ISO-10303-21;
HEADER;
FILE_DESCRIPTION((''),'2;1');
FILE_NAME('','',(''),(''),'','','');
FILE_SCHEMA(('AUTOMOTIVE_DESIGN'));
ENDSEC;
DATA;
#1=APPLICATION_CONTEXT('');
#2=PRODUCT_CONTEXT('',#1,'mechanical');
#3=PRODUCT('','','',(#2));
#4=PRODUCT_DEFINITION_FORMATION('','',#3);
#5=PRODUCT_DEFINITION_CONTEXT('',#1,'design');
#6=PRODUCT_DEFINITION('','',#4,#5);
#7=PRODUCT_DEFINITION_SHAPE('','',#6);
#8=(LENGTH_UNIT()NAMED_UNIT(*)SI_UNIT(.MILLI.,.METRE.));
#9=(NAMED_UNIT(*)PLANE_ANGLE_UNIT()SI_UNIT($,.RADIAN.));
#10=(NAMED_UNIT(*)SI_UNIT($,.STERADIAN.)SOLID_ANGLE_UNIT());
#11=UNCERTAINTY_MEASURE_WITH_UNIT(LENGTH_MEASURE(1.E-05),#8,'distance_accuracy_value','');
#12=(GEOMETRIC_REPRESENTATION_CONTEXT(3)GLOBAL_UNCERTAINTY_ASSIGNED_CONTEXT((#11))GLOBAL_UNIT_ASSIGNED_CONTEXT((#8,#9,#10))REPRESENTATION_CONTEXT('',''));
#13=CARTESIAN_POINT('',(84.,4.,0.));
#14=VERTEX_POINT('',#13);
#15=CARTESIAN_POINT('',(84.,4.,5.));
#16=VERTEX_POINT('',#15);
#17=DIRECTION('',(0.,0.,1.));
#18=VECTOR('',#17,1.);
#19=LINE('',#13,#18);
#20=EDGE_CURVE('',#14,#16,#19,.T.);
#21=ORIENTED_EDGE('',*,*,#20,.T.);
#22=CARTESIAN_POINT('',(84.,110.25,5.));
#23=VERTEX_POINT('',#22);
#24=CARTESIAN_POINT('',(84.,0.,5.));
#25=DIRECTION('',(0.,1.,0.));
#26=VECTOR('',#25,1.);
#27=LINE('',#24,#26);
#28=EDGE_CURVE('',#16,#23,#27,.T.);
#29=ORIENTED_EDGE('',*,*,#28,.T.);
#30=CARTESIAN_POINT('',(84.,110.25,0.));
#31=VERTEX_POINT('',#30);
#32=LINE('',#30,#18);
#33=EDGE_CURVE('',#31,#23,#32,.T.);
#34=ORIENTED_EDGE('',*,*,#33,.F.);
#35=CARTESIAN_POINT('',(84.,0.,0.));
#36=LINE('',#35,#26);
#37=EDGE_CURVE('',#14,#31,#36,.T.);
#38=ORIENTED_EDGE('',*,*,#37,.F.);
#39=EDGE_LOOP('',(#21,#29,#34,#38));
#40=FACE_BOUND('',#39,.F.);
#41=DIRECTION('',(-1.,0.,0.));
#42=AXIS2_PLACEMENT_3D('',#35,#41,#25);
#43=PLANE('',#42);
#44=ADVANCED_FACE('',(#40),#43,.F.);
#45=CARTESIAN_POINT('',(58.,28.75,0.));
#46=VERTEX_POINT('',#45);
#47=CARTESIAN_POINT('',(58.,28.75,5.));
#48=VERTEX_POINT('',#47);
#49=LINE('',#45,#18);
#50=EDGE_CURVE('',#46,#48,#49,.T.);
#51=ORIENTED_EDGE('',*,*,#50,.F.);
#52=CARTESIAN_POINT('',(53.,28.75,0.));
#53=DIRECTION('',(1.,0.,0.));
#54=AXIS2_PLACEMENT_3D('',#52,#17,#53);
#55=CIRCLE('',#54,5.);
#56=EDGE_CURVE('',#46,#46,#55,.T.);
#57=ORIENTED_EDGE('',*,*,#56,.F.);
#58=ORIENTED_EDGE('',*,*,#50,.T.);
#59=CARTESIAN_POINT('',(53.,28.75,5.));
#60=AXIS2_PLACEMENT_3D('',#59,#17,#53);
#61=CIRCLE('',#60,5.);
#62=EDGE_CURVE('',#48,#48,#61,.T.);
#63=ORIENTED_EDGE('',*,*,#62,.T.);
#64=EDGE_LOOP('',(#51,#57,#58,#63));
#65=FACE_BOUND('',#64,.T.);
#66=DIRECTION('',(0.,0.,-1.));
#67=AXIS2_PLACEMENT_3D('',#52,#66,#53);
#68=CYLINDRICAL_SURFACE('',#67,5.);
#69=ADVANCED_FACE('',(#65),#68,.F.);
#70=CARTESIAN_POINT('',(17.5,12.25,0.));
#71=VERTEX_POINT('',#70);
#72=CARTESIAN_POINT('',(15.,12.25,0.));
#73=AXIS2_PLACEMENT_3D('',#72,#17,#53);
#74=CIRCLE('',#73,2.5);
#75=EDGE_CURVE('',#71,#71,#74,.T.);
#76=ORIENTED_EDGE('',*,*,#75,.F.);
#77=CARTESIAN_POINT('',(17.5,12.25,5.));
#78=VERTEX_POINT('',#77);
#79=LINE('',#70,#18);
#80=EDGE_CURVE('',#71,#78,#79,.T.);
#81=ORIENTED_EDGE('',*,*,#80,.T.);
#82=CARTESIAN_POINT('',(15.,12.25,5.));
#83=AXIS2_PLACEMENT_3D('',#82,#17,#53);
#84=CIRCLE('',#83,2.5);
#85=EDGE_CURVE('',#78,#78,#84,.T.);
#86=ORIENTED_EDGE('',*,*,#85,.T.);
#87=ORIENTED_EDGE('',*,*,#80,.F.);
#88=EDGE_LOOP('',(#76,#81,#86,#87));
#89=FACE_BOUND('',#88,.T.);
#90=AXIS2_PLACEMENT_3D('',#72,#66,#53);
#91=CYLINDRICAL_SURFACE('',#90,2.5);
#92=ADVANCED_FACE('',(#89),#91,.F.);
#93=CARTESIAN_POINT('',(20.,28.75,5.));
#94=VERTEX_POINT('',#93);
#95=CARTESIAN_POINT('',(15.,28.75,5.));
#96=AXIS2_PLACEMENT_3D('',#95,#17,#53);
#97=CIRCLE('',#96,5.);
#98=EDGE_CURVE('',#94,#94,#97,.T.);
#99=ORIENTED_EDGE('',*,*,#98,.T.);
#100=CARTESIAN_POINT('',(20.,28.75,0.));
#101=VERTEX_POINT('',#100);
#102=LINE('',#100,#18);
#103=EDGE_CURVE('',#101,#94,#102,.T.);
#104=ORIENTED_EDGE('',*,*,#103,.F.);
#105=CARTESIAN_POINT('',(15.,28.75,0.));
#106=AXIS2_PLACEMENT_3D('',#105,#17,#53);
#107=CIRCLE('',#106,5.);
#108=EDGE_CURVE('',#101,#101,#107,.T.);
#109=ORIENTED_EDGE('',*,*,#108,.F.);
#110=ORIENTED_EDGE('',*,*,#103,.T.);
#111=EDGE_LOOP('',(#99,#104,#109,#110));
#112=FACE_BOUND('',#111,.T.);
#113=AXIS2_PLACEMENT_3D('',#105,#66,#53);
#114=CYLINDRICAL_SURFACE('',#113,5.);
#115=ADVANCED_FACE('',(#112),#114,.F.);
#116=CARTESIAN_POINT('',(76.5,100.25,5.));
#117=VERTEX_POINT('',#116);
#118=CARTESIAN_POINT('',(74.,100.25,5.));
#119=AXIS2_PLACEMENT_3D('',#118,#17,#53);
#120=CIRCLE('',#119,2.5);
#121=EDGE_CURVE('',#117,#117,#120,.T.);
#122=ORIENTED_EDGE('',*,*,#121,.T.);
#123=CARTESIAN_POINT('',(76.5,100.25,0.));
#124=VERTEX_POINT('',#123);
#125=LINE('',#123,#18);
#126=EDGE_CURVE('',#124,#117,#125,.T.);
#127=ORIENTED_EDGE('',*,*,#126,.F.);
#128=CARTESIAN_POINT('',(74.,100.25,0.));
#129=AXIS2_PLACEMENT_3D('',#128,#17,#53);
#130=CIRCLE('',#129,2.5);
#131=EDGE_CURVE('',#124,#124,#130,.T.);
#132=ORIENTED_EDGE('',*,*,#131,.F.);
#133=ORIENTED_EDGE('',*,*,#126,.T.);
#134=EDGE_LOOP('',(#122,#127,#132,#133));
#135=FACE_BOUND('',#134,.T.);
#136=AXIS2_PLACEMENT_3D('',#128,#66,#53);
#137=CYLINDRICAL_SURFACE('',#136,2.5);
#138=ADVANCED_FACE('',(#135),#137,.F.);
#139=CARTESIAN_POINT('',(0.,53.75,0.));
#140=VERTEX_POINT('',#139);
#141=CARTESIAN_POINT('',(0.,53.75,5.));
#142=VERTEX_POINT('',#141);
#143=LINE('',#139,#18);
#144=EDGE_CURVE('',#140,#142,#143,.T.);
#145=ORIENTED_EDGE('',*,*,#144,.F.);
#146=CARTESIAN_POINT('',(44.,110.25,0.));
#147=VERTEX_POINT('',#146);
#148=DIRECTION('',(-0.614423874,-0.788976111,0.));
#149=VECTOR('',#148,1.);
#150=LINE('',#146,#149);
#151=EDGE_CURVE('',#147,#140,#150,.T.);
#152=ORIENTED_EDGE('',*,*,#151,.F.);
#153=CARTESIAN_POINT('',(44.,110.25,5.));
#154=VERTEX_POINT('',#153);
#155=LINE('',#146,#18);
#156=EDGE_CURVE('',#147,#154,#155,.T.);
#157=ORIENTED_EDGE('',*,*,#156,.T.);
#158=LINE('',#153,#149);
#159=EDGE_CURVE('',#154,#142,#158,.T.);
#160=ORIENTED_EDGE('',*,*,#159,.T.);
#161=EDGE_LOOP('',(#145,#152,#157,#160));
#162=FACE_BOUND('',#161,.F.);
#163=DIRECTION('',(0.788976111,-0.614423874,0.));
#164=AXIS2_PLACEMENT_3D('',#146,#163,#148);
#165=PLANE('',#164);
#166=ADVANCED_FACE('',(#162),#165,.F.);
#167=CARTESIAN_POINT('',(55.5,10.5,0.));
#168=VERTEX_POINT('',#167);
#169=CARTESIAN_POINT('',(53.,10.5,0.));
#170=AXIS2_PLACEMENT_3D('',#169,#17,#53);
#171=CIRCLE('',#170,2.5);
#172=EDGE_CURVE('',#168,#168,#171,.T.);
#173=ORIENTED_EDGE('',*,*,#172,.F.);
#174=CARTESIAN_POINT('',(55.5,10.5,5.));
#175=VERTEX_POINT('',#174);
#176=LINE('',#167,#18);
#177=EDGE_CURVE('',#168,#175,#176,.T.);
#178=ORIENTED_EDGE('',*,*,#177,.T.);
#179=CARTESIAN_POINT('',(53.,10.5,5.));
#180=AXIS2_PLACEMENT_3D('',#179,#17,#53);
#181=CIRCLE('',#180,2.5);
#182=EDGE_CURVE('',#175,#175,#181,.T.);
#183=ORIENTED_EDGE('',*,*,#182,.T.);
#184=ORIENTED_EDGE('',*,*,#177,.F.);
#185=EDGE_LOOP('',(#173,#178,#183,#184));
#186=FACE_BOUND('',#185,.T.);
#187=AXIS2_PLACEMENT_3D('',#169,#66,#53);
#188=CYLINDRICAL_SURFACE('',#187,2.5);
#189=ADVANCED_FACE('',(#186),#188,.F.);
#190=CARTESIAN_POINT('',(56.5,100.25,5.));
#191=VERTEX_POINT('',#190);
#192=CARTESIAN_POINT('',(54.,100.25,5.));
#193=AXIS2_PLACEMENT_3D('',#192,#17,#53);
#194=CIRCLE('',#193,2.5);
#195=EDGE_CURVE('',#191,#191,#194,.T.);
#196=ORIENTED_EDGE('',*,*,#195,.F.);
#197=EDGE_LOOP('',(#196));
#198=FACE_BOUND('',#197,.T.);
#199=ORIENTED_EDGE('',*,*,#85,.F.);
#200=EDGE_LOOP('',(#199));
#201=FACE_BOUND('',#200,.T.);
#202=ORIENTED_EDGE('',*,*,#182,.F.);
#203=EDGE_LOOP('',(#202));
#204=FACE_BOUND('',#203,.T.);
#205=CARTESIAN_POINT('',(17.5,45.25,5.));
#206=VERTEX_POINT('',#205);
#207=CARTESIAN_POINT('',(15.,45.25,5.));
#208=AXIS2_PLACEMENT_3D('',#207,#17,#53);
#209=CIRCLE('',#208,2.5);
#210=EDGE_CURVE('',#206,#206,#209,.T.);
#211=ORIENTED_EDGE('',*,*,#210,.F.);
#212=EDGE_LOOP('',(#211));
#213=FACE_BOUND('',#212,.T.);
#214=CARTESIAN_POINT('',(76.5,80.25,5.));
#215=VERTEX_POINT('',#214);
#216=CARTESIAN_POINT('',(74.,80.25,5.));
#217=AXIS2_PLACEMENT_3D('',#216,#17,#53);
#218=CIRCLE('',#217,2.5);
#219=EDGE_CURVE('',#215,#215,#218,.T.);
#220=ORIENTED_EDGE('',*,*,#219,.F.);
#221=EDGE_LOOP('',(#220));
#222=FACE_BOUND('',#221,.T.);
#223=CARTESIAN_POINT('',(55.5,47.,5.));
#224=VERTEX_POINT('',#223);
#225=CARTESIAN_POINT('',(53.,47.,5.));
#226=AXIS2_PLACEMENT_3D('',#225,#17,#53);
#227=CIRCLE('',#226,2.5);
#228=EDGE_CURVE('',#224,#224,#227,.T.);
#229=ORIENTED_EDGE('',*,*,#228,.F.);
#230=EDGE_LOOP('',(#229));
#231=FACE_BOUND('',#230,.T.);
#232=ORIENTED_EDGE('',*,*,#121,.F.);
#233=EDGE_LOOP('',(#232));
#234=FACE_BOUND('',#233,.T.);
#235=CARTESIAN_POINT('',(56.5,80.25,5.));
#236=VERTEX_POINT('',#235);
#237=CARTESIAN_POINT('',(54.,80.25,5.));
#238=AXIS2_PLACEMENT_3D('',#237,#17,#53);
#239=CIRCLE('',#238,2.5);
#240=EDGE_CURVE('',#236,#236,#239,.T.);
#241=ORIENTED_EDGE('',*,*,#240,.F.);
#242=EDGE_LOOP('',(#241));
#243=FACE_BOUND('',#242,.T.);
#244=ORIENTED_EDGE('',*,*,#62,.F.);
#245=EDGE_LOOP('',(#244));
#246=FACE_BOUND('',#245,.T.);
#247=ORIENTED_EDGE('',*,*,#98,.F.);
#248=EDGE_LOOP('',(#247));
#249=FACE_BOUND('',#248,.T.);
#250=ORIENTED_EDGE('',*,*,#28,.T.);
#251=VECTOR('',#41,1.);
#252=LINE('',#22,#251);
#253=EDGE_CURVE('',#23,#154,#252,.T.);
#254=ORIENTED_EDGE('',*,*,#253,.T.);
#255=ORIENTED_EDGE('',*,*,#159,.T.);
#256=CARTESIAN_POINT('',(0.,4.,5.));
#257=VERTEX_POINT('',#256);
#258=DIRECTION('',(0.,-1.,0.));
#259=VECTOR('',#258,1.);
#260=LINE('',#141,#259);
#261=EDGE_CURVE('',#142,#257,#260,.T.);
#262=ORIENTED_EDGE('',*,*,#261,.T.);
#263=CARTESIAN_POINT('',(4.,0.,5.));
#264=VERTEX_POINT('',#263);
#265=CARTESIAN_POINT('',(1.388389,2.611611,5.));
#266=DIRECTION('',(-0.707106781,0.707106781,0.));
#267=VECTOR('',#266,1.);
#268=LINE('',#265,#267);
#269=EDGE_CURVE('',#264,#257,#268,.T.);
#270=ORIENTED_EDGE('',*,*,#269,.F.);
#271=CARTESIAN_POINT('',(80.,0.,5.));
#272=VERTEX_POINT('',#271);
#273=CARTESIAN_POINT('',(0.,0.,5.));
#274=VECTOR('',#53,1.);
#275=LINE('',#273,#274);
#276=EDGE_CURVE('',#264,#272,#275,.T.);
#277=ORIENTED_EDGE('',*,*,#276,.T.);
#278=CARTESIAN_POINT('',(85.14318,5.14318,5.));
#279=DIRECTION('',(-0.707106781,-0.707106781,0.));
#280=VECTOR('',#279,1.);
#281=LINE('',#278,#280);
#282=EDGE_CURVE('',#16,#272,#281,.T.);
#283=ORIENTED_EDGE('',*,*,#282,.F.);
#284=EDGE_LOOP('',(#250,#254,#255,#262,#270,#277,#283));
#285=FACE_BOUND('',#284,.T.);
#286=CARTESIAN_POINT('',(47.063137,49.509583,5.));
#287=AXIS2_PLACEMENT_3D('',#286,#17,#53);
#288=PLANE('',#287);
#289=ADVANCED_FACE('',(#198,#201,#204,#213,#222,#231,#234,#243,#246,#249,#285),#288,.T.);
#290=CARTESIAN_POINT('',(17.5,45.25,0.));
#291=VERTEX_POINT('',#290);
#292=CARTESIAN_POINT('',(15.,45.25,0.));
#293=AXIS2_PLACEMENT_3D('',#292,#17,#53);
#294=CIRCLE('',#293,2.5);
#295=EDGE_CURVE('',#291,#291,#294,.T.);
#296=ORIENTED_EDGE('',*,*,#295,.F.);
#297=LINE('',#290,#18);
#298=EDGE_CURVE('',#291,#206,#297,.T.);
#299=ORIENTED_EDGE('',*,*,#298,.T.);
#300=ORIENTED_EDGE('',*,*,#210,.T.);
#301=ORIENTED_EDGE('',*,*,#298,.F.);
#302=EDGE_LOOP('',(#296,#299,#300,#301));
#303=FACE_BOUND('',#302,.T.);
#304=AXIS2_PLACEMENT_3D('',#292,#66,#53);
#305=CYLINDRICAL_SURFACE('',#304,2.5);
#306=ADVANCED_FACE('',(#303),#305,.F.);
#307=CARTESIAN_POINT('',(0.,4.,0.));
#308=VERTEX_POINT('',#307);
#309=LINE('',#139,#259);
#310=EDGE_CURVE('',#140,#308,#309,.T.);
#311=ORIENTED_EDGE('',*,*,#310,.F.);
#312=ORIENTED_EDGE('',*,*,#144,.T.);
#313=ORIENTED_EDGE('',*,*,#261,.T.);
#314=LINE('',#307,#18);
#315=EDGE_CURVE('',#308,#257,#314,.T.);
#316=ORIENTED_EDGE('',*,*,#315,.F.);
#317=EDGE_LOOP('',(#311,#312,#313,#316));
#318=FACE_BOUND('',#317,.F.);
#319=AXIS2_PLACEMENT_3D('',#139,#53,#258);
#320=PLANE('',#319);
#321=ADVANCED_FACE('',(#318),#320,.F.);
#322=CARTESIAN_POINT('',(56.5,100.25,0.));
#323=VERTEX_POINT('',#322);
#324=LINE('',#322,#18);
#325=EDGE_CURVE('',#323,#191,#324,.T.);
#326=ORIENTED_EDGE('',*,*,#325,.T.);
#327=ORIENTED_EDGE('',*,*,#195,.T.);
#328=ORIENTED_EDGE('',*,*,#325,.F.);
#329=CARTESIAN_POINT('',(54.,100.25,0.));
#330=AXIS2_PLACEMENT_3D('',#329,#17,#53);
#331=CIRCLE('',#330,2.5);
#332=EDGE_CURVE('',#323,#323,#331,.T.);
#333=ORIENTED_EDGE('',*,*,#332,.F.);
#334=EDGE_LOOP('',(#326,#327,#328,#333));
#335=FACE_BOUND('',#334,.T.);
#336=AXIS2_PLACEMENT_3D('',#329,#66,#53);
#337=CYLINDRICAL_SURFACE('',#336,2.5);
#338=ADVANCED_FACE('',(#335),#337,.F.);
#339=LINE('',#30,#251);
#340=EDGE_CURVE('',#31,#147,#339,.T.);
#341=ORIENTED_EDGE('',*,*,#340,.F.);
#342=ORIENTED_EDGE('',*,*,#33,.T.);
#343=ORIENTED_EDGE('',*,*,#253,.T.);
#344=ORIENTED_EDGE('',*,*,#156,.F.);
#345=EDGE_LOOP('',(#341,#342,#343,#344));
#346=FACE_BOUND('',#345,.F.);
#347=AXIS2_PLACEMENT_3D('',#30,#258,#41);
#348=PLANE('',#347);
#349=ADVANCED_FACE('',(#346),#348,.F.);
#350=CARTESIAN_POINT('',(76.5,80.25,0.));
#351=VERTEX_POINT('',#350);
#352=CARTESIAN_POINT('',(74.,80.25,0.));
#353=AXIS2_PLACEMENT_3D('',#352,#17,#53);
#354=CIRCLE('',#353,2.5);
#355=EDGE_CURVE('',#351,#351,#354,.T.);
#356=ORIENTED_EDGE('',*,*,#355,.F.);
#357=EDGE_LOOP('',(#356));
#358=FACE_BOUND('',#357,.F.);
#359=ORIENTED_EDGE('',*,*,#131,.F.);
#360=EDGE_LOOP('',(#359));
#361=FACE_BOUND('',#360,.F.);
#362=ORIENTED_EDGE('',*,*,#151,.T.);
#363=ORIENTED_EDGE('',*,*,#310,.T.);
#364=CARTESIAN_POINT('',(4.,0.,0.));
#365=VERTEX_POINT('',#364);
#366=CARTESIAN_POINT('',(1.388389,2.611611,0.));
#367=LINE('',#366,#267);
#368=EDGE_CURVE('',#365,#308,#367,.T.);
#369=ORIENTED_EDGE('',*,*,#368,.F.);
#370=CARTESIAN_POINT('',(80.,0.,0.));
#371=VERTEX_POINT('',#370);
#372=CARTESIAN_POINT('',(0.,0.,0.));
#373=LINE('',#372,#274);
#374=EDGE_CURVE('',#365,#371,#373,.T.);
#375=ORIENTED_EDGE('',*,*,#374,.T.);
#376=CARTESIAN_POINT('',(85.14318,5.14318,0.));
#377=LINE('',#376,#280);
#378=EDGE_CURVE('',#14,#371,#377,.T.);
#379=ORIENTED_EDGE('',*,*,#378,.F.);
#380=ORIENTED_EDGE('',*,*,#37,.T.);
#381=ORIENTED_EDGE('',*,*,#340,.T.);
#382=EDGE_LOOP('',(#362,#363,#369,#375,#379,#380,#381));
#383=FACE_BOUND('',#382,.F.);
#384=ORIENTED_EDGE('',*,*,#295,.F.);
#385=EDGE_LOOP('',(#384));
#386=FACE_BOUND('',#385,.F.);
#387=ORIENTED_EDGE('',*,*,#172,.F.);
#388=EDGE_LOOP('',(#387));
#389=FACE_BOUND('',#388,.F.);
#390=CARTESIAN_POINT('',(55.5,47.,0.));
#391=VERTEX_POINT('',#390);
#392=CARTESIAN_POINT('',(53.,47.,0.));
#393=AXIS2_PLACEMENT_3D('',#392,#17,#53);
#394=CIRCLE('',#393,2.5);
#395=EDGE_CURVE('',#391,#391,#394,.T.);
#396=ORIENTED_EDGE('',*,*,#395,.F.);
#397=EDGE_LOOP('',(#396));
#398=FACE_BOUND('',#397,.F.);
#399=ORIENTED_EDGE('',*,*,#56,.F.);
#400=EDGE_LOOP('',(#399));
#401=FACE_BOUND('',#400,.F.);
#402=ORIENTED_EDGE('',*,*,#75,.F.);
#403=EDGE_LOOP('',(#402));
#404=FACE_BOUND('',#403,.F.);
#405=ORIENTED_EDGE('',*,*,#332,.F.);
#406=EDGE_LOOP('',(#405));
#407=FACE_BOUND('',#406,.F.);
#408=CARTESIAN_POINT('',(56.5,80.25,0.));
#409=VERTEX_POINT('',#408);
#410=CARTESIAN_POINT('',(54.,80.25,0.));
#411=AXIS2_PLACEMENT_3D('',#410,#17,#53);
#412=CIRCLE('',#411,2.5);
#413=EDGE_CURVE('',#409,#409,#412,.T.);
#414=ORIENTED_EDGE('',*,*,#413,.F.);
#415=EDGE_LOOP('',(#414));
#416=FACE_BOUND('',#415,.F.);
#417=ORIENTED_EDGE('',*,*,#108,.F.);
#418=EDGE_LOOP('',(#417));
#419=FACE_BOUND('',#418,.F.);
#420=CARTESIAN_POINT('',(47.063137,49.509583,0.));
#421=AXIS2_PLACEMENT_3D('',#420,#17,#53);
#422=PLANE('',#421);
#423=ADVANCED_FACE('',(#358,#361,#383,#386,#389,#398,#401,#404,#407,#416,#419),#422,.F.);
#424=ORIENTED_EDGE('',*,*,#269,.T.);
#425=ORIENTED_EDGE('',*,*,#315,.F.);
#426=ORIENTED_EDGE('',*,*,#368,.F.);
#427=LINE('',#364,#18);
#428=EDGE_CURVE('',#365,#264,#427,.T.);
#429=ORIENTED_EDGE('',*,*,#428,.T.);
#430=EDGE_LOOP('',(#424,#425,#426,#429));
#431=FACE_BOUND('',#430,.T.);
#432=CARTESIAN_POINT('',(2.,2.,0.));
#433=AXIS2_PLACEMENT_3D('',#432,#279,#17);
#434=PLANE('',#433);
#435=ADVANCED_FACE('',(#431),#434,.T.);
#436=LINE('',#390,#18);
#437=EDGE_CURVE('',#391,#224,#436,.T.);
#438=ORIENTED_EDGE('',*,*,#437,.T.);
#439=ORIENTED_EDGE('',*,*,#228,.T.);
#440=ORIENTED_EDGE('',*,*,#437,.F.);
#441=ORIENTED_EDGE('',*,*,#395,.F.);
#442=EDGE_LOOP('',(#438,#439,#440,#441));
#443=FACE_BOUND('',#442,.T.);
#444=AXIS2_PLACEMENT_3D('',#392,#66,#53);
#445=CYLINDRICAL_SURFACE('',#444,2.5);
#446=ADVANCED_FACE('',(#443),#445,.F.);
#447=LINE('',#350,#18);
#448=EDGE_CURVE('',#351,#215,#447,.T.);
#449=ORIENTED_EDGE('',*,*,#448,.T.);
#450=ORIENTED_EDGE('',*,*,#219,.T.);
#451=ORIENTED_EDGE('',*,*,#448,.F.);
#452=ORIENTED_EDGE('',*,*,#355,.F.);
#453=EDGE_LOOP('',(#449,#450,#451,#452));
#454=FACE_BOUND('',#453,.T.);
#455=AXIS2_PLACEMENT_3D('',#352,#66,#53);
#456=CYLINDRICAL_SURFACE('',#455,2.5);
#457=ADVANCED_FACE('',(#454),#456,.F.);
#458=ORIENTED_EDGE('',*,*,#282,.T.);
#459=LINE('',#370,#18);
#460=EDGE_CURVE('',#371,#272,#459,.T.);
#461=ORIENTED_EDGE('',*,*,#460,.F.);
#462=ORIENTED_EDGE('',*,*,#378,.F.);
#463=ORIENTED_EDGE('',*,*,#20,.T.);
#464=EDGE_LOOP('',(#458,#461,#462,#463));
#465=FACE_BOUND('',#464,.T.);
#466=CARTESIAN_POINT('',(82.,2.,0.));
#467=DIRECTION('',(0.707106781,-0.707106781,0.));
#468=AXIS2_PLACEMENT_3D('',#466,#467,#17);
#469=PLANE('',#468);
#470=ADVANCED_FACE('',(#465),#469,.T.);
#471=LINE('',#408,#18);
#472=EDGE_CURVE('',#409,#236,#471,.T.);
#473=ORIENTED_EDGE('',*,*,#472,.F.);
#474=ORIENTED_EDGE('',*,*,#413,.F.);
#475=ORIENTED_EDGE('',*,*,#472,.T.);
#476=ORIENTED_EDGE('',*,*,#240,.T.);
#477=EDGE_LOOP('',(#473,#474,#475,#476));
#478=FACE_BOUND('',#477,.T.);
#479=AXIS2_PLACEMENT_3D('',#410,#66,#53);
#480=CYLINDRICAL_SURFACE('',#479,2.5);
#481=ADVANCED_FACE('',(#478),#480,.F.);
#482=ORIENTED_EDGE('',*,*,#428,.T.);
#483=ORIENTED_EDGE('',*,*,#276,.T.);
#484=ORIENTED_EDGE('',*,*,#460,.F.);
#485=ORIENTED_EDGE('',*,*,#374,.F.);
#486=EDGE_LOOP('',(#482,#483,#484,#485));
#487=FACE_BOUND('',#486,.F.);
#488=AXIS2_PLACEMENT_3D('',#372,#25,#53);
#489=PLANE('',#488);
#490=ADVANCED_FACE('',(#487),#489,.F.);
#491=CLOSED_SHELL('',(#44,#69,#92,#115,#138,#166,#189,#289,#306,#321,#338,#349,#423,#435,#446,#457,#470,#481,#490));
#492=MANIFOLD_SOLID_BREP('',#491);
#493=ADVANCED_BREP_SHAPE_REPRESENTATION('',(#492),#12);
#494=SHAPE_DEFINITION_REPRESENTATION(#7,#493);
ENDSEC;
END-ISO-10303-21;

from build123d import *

# Parameters (mm, degrees)
SKETCH_R     = 2.5
SKETCH_R_2   = 5
PAD_DEPTH    = 5
CHAMFER_SIZE = 4


with BuildPart() as part:
    # Sketch → Pad (new body)
    with BuildSketch(Plane.XY):
        Polygon((84, 110.25), (44, 110.25), (0, 53.75), (0, 0), (84, 0), align=None)
        with Locations((15, 45.25)):
            Circle(SKETCH_R, mode=Mode.SUBTRACT)
        with Locations((15, 12.25)):
            Circle(SKETCH_R, mode=Mode.SUBTRACT)
        with Locations((15, 28.75)):
            Circle(SKETCH_R_2, mode=Mode.SUBTRACT)
        with Locations((53, 47)):
            Circle(SKETCH_R, mode=Mode.SUBTRACT)
        with Locations((53, 28.75)):
            Circle(SKETCH_R_2, mode=Mode.SUBTRACT)
        with Locations((53, 10.5)):
            Circle(SKETCH_R, mode=Mode.SUBTRACT)
        with Locations((54, 80.25)):
            Circle(SKETCH_R, mode=Mode.SUBTRACT)
        with Locations((74, 80.25)):
            Circle(SKETCH_R, mode=Mode.SUBTRACT)
        with Locations((54, 100.25)):
            Circle(SKETCH_R, mode=Mode.SUBTRACT)
        with Locations((74, 100.25)):
            Circle(SKETCH_R, mode=Mode.SUBTRACT)
    extrude(amount=PAD_DEPTH)

    # Chamfer
    chamfer_edges = [part.edges().sort_by_distance(p)[0] for p in [
        (0, 0, 2.5),
        (84, 0, 2.5),
    ]]
    chamfer(chamfer_edges, length=CHAMFER_SIZE)


solid = part.part
